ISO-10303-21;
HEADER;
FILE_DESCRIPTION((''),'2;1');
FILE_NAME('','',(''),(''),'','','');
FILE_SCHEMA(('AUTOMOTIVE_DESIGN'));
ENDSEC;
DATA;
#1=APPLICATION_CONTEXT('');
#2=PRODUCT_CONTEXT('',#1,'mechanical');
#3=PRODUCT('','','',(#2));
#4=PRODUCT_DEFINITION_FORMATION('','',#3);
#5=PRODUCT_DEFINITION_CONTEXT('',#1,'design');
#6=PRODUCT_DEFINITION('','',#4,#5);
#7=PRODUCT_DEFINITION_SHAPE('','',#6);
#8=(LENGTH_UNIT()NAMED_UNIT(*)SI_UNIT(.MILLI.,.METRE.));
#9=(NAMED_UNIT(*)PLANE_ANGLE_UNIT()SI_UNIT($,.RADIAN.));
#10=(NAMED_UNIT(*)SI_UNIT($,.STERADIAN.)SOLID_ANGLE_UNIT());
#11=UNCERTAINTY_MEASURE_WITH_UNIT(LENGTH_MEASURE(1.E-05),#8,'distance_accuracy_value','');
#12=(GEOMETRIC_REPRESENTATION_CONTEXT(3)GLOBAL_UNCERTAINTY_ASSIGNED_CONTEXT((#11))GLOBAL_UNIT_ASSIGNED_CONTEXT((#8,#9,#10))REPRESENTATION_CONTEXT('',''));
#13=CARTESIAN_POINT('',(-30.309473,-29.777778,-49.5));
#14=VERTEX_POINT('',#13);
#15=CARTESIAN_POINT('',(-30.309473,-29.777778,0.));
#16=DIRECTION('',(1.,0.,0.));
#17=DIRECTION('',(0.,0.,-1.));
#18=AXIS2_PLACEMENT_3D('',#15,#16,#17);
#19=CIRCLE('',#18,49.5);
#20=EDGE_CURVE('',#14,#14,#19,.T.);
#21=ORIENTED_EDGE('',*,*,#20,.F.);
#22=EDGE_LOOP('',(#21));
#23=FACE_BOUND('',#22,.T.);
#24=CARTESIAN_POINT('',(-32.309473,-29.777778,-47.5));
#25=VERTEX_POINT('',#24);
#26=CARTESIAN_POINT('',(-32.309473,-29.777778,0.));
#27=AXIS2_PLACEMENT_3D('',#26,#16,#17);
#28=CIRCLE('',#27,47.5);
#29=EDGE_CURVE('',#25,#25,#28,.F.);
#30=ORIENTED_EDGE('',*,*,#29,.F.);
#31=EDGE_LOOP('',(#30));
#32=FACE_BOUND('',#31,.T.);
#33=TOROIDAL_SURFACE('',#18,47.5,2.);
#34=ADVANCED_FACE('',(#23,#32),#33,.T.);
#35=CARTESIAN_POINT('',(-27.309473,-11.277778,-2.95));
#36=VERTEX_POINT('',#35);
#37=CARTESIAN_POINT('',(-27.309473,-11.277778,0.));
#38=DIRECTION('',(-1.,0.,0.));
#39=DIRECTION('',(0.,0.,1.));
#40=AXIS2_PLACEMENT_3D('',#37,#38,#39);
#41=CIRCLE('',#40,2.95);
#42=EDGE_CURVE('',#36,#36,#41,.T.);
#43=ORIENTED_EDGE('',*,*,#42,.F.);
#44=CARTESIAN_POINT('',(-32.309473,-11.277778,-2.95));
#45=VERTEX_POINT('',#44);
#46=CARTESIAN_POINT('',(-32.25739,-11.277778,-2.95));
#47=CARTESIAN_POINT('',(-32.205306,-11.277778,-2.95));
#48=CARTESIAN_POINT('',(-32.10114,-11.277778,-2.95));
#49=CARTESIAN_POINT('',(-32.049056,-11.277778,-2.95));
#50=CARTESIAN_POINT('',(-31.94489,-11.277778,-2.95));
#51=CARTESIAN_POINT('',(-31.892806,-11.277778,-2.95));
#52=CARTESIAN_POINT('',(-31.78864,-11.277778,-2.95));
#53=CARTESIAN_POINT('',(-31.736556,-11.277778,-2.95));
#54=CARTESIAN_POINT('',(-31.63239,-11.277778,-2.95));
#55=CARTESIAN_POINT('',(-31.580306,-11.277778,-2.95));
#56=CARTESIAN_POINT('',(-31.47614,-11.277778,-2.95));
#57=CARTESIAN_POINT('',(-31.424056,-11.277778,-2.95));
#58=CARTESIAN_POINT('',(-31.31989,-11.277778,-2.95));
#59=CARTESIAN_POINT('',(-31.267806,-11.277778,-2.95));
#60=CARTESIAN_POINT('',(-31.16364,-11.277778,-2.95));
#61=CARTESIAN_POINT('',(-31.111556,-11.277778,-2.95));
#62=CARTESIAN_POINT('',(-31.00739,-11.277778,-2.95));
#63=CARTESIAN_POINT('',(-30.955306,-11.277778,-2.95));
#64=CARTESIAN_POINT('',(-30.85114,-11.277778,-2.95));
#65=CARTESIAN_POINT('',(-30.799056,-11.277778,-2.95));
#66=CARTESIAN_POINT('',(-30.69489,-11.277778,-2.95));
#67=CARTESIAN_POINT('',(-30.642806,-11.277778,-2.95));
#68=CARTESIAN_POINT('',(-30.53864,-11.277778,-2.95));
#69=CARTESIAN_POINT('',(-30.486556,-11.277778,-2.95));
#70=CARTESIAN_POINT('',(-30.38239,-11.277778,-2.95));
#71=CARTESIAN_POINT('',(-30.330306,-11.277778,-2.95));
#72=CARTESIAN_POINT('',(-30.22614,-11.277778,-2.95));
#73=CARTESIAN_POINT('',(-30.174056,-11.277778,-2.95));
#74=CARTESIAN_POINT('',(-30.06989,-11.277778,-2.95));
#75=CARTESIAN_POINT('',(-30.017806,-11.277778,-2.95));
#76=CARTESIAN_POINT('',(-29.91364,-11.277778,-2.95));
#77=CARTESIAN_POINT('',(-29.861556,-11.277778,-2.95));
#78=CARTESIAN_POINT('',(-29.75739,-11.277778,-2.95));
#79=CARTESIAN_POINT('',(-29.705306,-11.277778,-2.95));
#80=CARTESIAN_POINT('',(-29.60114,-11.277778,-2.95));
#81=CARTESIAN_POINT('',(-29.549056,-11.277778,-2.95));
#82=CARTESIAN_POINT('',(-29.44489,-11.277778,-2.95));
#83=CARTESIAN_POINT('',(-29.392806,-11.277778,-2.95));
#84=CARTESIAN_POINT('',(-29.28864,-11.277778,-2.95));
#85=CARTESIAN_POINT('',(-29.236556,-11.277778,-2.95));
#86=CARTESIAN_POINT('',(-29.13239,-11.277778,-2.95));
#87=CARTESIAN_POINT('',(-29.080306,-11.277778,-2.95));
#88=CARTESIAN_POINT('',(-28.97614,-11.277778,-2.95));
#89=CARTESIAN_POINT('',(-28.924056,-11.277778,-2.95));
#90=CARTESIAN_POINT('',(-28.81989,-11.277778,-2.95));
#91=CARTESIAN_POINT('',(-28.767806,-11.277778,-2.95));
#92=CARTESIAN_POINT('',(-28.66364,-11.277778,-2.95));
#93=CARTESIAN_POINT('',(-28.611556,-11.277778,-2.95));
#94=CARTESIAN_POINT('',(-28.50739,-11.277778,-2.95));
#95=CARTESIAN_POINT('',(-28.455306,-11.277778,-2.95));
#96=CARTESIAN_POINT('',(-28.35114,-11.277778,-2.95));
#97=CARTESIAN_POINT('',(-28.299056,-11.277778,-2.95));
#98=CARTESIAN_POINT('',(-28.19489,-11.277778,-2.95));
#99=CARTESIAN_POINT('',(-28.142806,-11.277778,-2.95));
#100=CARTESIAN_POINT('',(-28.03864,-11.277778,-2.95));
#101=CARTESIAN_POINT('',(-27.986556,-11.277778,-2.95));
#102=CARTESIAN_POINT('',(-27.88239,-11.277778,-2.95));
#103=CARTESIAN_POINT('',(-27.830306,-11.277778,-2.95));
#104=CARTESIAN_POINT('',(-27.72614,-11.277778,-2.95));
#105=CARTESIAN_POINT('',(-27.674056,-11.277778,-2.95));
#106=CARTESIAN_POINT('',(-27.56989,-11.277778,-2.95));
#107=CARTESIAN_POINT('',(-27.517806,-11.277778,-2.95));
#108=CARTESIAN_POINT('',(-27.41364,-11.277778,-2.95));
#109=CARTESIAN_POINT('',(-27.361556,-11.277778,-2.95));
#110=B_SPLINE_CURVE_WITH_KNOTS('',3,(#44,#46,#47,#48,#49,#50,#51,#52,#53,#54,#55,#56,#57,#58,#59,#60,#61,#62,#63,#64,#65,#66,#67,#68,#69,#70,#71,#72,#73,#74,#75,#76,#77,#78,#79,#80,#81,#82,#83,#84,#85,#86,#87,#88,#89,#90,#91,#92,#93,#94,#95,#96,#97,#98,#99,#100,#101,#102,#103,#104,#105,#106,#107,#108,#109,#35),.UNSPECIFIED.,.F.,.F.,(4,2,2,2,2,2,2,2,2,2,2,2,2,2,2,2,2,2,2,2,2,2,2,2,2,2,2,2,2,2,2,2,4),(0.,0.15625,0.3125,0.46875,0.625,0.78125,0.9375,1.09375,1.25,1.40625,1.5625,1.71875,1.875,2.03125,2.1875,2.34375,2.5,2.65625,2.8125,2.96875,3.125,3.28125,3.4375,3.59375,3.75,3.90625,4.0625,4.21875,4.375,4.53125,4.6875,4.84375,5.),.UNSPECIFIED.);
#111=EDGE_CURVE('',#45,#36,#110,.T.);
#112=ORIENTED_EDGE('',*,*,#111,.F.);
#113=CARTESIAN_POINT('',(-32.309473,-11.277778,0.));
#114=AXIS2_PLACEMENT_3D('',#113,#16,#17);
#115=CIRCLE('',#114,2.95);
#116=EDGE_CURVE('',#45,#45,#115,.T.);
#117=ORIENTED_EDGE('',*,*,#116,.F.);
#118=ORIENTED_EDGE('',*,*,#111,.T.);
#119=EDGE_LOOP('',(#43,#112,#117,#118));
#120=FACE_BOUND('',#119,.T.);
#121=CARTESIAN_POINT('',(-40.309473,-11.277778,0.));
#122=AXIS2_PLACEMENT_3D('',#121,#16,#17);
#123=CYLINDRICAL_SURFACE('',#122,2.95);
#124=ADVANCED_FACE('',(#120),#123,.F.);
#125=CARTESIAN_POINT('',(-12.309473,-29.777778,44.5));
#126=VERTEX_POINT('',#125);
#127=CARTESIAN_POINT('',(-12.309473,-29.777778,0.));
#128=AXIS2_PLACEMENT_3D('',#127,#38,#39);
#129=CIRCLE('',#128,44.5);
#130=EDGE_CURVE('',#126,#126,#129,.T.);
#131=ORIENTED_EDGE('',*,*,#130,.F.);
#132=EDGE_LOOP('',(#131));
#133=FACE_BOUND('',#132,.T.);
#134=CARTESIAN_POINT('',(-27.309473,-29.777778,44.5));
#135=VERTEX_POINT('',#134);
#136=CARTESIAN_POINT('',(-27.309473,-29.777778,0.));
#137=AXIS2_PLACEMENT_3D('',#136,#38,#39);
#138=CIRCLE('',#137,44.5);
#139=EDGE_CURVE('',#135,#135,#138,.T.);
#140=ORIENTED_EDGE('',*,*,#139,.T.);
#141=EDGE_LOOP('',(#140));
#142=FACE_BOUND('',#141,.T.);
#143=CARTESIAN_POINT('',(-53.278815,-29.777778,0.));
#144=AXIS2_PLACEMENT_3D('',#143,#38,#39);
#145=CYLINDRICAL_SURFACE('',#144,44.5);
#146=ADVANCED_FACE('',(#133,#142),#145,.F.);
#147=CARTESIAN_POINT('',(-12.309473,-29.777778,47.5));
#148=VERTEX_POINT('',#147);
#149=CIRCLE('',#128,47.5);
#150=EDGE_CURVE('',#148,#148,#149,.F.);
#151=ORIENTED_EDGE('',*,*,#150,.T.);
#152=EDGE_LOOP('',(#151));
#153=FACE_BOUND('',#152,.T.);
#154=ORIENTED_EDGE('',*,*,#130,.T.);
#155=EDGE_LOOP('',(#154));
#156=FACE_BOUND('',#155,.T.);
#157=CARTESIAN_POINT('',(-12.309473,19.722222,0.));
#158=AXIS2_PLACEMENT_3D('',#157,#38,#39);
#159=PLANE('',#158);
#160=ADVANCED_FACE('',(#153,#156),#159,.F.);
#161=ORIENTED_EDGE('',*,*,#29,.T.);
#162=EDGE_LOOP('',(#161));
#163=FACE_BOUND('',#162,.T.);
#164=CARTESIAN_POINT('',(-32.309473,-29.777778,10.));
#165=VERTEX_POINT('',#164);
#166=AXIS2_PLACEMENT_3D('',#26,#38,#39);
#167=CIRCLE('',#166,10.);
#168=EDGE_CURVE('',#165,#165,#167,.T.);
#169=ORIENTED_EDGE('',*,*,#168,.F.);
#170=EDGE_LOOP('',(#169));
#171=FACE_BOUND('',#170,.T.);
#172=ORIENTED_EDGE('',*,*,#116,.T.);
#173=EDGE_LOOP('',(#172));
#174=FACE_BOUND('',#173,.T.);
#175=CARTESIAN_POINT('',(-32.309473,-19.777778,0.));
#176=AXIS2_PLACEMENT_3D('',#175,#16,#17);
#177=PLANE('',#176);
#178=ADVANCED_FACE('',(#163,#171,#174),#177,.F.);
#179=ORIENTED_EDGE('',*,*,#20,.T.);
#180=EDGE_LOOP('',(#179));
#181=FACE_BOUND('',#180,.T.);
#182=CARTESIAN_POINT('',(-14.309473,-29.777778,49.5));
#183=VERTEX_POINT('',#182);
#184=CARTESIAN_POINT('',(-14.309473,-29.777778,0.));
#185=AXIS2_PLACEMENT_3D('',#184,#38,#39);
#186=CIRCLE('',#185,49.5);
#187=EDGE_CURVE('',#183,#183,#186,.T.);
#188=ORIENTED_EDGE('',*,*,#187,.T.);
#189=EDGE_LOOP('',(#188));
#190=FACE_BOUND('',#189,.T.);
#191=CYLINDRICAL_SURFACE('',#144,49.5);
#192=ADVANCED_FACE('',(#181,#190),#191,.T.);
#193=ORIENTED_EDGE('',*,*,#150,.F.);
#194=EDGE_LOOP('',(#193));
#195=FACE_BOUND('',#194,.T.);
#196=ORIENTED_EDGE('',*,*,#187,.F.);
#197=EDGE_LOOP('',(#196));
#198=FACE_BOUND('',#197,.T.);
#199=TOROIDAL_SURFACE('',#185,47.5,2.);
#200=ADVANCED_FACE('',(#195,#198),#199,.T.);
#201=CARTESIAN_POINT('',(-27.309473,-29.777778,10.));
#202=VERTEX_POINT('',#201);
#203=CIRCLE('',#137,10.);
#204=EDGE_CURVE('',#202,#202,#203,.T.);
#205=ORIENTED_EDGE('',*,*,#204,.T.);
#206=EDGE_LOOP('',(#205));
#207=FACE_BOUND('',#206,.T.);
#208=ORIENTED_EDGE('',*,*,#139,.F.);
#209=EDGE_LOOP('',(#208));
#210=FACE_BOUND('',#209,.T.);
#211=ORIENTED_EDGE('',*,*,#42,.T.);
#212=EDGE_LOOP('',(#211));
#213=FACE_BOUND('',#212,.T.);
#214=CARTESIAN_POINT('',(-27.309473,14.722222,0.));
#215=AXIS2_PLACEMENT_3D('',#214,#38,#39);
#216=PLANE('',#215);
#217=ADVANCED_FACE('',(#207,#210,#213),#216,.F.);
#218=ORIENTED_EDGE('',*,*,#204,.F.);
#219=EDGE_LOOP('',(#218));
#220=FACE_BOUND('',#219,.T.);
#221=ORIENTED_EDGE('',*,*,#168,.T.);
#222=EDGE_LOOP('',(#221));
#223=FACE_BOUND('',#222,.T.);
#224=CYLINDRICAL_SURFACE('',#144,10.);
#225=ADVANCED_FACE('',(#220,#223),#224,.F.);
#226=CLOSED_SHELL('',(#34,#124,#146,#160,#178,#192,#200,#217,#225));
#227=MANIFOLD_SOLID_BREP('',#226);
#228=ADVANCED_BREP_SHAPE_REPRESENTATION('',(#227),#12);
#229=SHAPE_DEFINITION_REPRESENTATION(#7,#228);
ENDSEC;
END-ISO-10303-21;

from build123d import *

# Parameters (mm, degrees)
FILLET2_R          = 2
FILLET3_R          = 2
SKETCH2_R          = 2.95
CUT_EXTRUDE1_DEPTH = 13


with BuildPart() as part:
    # Sketch1 → Revolve1 (revolve)
    with BuildSketch(Plane.XY, mode=Mode.PRIVATE) as revolve1_sk:
        Polygon((-12.309472934, 14.722222222), (-27.309472934, 14.722222222), (-27.309472934, -19.777777778), (-32.309472934, -19.777777778), (-32.309472934, 19.722222222), (-12.309472934, 19.722222222), align=None)
    revolve(revolve1_sk.sketch.rotate(Axis((-53.278814679, -29.777777778, 0), (1, 0, 0)), 90), axis=Axis((-53.278814679, -29.777777778, 0), (1, 0, 0)))

    # Fillet2
    fillet2_edges = [part.edges().sort_by_distance(p)[0] for p in [
        (-32.309472934, -29.777777778, -49.5),
    ]]
    fillet(fillet2_edges, radius=FILLET2_R)

    # Fillet3
    fillet3_edges = [part.edges().sort_by_distance(p)[0] for p in [
        (-12.309472934, -29.777777778, -49.5),
    ]]
    fillet(fillet3_edges, radius=FILLET3_R)

    # Sketch2 → Cut-Extrude1 (cut, symmetric)
    with BuildSketch(Plane(origin=(-27.309472934, 0, 0), x_dir=(0, 0, -1), z_dir=(1, 0, 0))):
        with Locations((0, -11.277777778)):
            Circle(SKETCH2_R)
    extrude(amount=CUT_EXTRUDE1_DEPTH, both=True, mode=Mode.SUBTRACT)


solid = part.part
